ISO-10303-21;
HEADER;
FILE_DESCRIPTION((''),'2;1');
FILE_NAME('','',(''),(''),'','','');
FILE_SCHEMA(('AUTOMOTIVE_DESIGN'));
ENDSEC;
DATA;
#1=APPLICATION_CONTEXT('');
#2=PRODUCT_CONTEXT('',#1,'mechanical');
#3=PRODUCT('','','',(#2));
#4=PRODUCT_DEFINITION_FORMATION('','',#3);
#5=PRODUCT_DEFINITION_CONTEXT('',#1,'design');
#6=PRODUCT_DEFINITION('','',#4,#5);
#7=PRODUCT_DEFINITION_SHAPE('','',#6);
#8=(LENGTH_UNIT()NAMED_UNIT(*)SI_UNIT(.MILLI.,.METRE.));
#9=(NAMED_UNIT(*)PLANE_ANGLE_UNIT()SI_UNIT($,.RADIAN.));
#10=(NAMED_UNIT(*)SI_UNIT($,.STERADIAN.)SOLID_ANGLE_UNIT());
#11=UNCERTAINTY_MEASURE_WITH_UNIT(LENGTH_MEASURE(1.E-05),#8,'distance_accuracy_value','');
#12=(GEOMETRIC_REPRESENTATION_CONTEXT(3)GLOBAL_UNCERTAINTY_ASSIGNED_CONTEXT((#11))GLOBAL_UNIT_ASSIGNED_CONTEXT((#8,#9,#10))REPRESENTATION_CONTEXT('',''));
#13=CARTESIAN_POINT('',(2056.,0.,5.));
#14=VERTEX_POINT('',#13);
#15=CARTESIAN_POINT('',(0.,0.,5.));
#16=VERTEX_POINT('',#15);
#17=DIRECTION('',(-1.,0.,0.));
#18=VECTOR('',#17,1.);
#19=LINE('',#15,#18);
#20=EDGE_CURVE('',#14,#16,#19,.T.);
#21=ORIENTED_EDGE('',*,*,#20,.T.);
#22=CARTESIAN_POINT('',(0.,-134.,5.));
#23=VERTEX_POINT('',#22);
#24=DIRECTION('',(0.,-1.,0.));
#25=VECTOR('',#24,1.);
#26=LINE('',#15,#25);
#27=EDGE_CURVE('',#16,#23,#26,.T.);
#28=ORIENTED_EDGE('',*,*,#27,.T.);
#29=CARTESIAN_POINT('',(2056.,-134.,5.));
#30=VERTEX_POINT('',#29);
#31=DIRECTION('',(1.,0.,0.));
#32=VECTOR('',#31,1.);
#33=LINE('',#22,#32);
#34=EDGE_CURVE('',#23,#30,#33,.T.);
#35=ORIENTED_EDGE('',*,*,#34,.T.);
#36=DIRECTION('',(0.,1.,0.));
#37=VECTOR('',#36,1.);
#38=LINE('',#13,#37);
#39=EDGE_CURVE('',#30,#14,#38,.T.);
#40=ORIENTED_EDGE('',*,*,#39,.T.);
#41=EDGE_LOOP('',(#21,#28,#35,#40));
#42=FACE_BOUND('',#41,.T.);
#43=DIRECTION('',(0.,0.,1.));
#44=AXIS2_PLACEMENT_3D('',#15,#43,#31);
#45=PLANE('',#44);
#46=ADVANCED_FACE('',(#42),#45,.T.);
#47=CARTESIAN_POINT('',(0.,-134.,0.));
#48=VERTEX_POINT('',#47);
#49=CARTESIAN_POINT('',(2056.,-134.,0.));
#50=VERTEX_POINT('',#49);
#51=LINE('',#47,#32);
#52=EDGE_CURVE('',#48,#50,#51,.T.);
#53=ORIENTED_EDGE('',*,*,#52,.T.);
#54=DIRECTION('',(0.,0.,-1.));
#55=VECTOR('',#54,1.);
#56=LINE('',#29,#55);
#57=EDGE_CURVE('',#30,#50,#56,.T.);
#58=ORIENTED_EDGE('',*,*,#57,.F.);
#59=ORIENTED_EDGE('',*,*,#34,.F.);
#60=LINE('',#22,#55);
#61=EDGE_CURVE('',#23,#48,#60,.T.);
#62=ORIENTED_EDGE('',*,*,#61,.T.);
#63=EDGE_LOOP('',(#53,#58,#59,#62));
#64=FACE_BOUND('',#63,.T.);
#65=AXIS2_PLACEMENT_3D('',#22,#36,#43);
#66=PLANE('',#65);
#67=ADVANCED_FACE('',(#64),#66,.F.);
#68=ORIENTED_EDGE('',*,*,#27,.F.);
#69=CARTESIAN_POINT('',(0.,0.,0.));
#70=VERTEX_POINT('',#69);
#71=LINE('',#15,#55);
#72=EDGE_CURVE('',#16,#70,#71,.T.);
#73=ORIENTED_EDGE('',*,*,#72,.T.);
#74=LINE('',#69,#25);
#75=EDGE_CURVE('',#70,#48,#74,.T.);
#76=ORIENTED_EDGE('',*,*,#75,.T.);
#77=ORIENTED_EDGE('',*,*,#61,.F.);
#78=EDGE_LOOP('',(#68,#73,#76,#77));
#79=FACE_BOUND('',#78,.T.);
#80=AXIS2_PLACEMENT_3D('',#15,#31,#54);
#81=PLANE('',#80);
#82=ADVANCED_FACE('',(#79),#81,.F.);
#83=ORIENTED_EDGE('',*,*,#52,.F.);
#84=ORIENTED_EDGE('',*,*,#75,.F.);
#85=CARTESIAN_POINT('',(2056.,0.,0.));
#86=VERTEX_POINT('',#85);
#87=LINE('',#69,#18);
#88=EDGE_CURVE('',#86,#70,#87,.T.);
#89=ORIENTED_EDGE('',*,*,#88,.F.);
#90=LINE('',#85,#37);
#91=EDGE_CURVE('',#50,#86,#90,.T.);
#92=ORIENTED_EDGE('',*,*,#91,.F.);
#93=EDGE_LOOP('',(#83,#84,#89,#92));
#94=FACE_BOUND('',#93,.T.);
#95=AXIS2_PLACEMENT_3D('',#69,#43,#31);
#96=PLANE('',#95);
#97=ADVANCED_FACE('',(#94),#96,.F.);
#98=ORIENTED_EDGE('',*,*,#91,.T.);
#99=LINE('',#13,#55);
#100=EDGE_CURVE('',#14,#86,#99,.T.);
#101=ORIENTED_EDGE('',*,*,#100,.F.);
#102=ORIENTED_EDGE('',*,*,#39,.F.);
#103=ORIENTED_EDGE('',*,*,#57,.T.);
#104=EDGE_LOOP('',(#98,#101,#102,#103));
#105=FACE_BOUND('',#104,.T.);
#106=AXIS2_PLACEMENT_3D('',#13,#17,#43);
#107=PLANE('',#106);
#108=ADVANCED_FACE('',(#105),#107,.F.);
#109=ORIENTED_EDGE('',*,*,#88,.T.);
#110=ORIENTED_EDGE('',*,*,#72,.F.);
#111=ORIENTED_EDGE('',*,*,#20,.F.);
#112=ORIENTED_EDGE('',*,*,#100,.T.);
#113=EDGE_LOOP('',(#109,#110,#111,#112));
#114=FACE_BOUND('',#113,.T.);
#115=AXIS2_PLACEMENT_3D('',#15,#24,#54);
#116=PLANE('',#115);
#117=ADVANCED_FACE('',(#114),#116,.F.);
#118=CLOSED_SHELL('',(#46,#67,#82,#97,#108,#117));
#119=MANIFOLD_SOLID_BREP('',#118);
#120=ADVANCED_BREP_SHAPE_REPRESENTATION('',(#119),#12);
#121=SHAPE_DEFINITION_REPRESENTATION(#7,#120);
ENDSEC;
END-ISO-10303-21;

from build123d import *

# Parameters (mm, degrees)
SKETCH_1_W      = 2056
SKETCH_1_H      = 134
EXTRUDE_1_DEPTH = 5


with BuildPart() as part:
    # 草图1 → 凸台-拉伸1 (new body)
    with BuildSketch(Plane.XY):
        with Locations((1028, -67)):
            Rectangle(SKETCH_1_W, SKETCH_1_H)
    extrude(amount=EXTRUDE_1_DEPTH)


solid = part.part
